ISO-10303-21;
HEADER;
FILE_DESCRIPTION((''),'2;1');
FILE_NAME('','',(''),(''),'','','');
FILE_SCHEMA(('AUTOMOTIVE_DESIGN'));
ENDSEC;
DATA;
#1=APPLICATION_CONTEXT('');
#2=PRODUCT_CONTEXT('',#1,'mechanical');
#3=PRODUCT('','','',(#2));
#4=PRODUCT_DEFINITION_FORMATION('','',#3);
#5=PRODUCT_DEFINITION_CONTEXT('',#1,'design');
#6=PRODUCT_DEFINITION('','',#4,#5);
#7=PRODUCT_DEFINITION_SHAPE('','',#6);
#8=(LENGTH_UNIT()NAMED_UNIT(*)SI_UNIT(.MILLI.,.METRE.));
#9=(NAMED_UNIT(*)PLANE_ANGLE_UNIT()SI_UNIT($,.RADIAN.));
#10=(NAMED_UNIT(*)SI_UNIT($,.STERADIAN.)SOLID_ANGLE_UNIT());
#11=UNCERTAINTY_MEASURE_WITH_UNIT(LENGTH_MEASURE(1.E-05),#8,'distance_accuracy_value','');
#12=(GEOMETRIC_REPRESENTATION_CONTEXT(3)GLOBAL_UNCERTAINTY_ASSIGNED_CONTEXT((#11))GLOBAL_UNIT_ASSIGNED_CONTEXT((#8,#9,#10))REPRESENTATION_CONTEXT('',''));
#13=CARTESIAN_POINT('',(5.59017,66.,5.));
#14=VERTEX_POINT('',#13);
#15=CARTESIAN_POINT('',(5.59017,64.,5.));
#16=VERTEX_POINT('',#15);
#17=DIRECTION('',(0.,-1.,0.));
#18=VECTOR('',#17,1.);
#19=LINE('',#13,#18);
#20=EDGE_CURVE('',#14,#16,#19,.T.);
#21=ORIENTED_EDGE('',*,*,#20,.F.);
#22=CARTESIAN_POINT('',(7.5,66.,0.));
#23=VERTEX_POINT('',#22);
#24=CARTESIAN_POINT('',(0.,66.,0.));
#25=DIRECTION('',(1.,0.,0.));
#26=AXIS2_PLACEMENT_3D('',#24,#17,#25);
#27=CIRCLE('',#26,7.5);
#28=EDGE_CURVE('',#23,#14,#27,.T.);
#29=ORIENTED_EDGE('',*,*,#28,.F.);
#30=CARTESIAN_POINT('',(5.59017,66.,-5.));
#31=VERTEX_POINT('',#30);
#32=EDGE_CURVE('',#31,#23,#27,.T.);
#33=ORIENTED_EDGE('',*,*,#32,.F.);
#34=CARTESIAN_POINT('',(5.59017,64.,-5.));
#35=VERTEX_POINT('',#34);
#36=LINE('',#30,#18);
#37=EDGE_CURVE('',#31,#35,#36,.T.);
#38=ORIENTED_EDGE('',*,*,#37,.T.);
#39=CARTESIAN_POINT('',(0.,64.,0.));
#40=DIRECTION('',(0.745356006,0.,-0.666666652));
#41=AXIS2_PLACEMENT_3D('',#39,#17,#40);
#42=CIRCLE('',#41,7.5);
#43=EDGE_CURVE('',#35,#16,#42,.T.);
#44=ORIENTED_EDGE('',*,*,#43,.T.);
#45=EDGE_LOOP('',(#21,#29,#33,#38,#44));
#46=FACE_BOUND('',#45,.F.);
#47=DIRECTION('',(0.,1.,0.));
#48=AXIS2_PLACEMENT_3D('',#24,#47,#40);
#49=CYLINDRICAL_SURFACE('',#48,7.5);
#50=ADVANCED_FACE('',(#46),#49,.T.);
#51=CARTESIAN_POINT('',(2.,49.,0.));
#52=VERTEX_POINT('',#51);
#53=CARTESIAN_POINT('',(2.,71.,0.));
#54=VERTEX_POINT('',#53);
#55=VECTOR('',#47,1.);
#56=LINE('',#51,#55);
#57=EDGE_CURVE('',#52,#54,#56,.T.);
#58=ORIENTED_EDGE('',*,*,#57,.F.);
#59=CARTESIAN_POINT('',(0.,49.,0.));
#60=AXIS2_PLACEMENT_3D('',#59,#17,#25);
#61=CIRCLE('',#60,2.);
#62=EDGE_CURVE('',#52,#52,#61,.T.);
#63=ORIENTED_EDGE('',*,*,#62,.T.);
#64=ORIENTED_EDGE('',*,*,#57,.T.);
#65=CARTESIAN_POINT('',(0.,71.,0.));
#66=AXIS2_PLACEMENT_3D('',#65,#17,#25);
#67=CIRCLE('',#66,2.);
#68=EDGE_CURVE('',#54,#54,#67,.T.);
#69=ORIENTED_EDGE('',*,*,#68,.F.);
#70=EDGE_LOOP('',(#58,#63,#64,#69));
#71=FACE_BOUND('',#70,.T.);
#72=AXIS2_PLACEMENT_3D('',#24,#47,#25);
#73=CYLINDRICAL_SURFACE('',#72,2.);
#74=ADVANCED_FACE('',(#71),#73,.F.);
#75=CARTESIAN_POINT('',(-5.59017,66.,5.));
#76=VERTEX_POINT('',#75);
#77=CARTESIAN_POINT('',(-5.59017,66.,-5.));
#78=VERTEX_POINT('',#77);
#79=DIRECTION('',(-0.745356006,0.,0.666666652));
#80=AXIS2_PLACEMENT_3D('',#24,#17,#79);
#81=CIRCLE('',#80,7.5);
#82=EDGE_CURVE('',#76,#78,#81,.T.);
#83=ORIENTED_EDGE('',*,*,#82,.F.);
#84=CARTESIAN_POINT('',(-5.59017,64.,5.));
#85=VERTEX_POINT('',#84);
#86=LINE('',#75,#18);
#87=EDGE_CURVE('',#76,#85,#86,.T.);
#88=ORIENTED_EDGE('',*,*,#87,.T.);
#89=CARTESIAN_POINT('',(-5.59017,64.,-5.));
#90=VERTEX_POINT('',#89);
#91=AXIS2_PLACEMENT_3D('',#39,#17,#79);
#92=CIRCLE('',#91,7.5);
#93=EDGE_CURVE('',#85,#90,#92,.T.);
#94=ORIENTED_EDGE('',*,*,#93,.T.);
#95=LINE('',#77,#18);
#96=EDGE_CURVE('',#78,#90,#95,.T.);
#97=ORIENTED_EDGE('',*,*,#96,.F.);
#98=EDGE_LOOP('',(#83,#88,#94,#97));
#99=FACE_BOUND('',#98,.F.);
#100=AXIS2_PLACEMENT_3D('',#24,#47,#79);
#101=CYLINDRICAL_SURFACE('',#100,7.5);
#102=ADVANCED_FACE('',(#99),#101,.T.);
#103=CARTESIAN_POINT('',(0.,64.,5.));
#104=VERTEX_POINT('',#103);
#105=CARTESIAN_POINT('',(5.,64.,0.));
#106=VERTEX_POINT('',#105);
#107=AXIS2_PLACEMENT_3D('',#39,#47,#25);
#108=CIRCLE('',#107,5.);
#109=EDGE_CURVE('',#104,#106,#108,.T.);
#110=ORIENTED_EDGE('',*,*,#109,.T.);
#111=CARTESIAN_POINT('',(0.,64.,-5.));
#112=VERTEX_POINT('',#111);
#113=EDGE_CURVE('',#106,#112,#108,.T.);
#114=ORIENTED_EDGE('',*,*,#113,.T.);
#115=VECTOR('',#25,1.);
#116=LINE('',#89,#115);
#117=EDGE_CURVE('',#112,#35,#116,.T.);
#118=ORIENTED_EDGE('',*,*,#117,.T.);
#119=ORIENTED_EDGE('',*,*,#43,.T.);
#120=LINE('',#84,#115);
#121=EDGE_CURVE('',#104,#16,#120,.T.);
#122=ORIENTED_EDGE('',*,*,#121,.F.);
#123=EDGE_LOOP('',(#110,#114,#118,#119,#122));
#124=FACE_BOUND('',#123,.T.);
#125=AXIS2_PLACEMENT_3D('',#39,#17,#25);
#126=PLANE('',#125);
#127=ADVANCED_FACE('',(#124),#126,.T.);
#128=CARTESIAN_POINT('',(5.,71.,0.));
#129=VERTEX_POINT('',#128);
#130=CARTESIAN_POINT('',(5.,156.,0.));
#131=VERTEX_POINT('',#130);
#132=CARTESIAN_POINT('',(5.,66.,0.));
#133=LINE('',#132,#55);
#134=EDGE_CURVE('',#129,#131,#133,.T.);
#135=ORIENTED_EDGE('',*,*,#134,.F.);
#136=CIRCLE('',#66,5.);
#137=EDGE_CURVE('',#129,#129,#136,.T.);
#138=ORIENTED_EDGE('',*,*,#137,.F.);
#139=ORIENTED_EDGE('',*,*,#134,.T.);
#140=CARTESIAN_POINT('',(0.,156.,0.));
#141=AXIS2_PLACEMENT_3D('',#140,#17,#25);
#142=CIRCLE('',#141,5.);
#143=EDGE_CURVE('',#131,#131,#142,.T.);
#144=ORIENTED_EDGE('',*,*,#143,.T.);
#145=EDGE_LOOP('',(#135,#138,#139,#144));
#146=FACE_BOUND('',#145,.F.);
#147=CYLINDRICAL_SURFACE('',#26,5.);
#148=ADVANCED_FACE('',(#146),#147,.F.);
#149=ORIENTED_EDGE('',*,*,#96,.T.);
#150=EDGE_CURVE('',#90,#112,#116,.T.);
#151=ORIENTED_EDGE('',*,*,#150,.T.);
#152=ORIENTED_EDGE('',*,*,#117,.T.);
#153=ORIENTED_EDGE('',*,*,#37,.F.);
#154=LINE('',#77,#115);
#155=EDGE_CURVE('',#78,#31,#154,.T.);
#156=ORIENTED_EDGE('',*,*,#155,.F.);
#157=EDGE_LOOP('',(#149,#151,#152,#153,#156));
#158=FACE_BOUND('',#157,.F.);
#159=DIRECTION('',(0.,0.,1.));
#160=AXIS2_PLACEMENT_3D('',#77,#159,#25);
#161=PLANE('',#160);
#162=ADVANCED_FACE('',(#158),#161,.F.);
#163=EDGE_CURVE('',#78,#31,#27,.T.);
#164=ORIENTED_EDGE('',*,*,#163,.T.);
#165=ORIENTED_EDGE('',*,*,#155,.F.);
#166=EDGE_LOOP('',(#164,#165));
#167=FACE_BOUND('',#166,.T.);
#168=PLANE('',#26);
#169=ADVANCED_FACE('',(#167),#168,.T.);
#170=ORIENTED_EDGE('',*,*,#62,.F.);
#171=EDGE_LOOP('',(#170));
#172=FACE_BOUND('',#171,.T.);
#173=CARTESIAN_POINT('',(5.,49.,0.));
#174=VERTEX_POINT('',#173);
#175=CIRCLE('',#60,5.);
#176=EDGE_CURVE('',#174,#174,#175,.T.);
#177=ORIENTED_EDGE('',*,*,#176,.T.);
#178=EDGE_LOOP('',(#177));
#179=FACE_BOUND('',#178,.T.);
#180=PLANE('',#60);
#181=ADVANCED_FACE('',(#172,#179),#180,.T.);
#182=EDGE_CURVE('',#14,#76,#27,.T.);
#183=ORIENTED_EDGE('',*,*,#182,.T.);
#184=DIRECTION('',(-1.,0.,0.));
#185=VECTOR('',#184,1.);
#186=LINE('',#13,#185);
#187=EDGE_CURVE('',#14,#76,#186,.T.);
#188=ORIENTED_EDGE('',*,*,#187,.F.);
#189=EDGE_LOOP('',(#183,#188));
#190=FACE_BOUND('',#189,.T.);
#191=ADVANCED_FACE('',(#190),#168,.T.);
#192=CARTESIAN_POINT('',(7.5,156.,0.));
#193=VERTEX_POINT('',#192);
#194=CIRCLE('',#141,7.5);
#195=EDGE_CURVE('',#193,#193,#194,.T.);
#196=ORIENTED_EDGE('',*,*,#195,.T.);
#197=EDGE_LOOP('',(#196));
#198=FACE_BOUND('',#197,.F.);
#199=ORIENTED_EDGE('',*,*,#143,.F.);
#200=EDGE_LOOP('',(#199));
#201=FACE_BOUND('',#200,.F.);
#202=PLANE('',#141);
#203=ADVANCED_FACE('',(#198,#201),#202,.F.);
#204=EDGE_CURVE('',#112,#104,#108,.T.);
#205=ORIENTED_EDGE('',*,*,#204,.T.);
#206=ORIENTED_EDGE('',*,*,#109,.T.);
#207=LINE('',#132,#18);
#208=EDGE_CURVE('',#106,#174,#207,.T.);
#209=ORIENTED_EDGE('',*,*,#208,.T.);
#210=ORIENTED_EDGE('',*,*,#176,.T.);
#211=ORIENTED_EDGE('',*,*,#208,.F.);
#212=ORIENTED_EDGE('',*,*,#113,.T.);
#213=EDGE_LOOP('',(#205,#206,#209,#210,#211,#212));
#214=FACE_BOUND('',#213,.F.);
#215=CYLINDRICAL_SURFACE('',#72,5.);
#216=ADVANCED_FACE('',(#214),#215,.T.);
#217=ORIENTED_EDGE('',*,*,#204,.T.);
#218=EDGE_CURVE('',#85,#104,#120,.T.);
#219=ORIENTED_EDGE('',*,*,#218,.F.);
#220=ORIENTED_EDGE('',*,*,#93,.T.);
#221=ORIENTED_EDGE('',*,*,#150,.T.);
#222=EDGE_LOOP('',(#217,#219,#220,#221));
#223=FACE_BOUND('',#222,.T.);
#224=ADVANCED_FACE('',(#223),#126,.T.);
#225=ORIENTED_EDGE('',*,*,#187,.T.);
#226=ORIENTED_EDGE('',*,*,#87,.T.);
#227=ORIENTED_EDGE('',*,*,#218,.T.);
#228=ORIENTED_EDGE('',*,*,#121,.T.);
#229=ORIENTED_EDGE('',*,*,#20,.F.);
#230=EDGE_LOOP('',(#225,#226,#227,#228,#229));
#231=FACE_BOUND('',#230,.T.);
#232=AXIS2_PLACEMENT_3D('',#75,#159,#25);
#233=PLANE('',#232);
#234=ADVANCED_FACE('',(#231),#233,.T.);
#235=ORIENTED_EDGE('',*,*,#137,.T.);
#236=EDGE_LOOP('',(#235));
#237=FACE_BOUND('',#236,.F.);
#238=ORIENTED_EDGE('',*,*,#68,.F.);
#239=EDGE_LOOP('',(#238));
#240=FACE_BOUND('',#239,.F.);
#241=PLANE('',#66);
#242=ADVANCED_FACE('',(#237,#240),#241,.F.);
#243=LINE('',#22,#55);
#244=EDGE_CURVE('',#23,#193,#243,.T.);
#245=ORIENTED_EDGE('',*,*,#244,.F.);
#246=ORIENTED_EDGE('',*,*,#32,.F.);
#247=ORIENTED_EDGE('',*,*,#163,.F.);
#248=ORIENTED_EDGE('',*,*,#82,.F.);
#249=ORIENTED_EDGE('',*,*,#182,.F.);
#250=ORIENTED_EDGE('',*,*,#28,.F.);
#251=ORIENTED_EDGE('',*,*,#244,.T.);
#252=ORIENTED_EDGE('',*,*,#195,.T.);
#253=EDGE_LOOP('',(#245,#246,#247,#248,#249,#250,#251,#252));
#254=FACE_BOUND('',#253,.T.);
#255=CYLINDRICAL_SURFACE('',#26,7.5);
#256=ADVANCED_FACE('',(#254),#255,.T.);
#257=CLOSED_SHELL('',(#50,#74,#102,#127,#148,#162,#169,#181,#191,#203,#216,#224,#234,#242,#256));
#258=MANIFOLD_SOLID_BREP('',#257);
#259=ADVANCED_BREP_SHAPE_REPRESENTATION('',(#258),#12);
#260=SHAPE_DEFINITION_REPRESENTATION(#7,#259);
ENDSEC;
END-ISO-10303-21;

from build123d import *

# Parameters (mm, degrees)
SKETCH053_R       = 7.5
SKETCH053_R_2     = 5
PAD_DEPTH         = 90
SKETCH055_R       = 5
SKETCH055_R_2     = 2
PAD026_DEPTH      = 5
PAD026_DEPTH_BACK = 17
SKETCH085_R       = 2
PAD046_DEPTH      = 2


with BuildPart() as part:
    # Sketch053 → Pad (new body)
    with BuildSketch(Plane.XZ.offset(-66)):
        Circle(SKETCH053_R)
        Circle(SKETCH053_R_2, mode=Mode.SUBTRACT)
    extrude(amount=-PAD_DEPTH)

    # Sketch055 → Pad026 (join, two sides)
    with BuildSketch(Plane.XZ.offset(-66)) as pad026_sk:
        Circle(SKETCH055_R)
        Circle(SKETCH055_R_2, mode=Mode.SUBTRACT)
    extrude(amount=-PAD026_DEPTH)
    extrude(pad026_sk.sketch, amount=PAD026_DEPTH_BACK)

    # Sketch085 → Pad046 (join)
    with BuildSketch(Plane.XZ.offset(-66)):
        with BuildLine():
            ThreePointArc((-5.59017, 5), (-7.5, 0), (-5.59017, -5))
            Line((-5.59017, -5), (5.59017, -5))
            ThreePointArc((5.59017, -5), (7.5, 0), (5.59017, 5))
            Line((-5.59017, 5), (5.59017, 5))
        make_face()
        Circle(SKETCH085_R, mode=Mode.SUBTRACT)
    extrude(amount=PAD046_DEPTH)


solid = part.part
